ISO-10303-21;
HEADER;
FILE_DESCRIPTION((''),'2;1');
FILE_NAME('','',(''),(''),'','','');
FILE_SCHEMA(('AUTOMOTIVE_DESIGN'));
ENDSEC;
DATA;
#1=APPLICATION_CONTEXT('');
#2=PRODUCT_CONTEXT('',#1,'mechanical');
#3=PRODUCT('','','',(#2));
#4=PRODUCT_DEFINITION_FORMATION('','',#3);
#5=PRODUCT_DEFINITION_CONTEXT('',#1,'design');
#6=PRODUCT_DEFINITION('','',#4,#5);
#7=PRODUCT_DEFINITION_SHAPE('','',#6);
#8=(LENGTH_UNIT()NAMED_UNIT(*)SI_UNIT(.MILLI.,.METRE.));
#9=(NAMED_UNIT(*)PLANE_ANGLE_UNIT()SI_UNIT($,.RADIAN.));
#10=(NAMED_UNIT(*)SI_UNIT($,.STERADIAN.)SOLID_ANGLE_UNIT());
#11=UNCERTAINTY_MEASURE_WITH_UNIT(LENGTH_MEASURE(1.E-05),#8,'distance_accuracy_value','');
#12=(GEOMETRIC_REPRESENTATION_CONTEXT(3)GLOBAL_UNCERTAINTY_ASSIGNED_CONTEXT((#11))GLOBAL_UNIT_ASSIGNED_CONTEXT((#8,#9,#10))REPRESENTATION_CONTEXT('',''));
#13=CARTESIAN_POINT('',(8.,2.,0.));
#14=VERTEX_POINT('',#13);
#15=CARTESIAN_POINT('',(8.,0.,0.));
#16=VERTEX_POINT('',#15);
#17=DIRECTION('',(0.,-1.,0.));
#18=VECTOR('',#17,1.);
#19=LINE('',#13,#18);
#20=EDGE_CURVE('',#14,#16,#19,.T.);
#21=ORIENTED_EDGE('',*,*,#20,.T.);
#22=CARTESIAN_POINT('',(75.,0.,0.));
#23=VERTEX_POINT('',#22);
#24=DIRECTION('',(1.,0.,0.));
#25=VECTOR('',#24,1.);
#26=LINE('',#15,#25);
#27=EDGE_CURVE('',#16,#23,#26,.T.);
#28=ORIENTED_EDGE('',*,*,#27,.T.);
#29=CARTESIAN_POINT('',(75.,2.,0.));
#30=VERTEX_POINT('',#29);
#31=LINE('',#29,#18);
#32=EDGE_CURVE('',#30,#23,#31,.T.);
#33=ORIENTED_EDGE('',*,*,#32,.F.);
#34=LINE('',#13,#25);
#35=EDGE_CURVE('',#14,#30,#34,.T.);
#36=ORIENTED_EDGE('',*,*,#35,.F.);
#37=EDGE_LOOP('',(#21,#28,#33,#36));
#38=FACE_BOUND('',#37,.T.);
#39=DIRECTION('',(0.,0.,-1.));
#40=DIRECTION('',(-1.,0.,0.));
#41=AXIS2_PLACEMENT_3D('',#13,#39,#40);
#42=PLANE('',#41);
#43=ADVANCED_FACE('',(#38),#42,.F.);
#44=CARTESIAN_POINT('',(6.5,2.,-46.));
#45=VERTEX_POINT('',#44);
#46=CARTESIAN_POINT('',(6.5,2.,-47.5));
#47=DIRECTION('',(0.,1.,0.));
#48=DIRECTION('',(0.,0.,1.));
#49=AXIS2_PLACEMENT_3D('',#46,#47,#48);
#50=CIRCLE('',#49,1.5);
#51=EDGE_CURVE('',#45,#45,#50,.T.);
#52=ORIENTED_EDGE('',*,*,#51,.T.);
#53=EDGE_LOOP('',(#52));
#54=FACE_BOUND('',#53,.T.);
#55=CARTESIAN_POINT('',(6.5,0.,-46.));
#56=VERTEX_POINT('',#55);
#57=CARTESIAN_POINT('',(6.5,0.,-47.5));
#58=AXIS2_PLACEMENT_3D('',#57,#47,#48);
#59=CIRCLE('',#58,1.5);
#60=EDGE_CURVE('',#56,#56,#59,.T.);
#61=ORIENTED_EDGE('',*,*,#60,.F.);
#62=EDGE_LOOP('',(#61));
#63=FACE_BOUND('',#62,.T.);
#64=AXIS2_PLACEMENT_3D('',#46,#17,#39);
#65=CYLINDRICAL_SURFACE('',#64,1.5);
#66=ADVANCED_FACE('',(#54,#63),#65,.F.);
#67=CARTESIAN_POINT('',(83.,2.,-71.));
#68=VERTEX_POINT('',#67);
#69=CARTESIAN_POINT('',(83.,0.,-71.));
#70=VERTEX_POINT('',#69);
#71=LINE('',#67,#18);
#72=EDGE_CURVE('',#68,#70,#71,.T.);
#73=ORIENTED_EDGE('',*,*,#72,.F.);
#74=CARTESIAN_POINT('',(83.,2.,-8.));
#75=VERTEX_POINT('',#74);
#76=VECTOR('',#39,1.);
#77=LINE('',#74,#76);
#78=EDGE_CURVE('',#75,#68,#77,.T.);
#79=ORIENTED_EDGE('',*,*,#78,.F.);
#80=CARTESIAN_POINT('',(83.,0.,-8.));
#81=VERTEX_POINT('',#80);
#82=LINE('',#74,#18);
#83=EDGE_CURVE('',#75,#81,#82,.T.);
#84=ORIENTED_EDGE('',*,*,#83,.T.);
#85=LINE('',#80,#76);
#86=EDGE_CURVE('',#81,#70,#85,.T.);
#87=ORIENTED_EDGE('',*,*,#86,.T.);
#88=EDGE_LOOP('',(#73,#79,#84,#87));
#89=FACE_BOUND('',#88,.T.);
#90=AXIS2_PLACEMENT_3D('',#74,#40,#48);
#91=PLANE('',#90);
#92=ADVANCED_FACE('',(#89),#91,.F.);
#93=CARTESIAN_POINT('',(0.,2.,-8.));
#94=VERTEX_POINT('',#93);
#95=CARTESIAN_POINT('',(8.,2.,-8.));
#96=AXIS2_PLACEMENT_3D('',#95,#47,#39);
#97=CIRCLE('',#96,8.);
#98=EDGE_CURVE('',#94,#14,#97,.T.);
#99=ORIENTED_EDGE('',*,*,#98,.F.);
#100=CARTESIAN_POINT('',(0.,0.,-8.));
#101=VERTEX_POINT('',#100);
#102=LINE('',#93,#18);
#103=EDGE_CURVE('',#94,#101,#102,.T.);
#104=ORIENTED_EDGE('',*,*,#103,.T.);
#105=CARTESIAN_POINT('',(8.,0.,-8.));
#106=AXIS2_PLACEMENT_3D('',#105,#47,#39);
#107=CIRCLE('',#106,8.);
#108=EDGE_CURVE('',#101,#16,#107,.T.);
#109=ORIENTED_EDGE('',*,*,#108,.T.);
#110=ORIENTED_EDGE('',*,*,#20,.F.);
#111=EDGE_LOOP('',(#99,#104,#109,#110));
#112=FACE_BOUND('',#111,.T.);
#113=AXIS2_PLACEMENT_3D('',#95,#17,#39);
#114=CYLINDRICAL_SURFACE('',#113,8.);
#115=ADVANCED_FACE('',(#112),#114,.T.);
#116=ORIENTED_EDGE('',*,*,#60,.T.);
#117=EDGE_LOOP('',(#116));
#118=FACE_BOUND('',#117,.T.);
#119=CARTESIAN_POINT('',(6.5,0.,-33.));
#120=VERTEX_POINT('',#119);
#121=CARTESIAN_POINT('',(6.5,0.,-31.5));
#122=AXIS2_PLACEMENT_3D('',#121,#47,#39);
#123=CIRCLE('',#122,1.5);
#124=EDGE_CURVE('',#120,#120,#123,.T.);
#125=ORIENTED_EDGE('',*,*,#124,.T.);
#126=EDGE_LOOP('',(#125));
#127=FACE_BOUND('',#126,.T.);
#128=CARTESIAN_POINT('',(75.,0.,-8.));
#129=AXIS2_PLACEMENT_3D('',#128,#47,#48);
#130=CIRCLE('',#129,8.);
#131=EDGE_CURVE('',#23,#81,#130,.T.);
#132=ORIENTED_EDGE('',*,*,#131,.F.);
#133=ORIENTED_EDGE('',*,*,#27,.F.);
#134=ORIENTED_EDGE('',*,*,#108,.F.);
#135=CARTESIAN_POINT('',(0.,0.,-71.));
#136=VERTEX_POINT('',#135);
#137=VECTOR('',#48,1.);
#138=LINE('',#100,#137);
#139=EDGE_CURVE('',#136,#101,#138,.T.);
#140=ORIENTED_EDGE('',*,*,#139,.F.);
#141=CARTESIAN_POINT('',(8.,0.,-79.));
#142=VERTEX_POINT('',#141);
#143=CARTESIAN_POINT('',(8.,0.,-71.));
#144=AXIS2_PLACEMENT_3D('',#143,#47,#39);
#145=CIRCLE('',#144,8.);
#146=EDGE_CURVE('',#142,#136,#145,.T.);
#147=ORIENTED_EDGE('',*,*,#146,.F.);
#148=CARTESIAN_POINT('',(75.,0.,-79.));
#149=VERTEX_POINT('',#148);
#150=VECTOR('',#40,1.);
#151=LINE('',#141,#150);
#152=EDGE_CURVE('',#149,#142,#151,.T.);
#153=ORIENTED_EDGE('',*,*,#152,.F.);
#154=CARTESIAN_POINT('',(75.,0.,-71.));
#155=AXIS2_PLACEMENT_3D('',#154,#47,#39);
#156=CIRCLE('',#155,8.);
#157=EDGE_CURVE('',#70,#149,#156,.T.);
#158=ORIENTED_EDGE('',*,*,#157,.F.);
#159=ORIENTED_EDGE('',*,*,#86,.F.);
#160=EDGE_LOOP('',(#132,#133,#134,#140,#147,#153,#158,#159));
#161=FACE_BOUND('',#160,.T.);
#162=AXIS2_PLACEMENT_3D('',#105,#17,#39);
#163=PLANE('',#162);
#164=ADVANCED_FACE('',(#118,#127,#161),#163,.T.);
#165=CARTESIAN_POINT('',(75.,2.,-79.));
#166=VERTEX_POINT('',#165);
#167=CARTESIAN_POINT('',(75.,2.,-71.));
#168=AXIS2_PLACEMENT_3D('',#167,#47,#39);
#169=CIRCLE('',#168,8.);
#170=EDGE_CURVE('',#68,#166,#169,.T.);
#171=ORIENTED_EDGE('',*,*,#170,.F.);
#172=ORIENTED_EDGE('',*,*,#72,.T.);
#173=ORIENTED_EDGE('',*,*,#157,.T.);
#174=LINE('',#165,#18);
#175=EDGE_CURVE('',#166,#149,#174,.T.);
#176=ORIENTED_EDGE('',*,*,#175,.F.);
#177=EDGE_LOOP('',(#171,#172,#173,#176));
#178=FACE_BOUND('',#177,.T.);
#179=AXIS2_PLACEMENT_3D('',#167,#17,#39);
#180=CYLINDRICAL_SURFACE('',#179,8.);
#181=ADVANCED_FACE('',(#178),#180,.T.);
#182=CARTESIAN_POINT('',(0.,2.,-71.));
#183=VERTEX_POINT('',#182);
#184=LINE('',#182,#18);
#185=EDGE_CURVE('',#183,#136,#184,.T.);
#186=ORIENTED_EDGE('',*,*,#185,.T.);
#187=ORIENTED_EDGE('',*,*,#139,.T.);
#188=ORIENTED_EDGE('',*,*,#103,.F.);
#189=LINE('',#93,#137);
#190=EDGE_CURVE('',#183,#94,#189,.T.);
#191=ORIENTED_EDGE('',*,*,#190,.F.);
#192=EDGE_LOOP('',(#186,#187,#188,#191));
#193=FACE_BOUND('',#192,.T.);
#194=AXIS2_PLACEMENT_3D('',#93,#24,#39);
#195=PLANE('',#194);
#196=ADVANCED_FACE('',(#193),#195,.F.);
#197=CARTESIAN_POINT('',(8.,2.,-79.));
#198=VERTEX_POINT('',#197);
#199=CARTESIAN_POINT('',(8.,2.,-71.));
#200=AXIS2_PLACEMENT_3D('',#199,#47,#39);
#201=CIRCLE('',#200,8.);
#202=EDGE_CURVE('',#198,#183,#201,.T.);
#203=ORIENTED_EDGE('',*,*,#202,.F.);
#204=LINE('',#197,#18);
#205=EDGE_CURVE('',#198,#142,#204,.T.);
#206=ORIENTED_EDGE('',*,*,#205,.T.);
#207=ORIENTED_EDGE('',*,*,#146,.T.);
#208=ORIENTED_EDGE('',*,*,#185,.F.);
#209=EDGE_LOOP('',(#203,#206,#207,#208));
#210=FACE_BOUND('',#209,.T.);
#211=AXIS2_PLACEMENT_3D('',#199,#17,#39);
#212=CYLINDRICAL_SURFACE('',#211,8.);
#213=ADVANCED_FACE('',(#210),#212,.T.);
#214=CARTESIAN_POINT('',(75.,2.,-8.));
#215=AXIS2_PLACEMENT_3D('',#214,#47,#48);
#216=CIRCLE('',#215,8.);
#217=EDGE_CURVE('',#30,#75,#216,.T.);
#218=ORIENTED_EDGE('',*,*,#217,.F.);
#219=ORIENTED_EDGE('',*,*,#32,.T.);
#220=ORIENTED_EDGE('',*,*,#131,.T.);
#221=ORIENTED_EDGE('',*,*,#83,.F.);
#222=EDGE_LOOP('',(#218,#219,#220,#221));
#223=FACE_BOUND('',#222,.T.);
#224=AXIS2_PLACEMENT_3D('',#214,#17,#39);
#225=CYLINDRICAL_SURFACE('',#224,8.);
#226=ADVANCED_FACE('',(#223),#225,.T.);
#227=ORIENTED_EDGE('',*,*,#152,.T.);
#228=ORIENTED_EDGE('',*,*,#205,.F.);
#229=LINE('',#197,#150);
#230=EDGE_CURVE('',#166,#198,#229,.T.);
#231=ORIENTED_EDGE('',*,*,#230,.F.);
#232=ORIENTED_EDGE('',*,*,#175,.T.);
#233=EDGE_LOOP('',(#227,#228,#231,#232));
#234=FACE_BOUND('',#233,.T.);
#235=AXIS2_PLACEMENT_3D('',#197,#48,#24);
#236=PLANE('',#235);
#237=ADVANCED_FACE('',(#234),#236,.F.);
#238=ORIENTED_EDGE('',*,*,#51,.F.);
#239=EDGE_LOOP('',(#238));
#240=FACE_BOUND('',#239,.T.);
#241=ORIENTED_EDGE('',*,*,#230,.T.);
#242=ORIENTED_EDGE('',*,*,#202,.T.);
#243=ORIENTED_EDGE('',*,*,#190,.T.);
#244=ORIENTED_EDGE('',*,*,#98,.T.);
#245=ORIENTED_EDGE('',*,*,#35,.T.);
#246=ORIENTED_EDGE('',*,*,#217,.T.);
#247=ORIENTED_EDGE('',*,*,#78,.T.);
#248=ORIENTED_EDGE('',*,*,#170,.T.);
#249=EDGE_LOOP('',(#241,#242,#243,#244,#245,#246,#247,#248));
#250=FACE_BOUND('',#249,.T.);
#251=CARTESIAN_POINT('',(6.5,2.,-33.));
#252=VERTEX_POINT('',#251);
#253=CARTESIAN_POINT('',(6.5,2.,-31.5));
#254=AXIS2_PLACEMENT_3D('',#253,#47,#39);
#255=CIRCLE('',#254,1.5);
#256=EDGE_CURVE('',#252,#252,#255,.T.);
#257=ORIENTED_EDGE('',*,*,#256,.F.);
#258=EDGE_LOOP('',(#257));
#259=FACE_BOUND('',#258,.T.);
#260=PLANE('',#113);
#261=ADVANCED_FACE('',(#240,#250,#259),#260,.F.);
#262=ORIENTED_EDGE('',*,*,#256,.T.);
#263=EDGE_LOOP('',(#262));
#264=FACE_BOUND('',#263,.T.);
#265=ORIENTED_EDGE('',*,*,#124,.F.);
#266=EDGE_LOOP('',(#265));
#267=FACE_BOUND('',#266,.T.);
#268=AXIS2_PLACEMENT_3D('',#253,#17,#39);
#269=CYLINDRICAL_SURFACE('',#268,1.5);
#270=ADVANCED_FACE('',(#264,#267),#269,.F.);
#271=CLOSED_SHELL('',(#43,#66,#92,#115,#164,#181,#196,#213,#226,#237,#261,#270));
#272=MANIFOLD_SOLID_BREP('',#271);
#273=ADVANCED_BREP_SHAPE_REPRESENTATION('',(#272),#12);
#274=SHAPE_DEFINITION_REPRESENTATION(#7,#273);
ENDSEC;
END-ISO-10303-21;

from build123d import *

# Parameters (mm, degrees)
SKETCH1_R           = 1.5
BOSS_EXTRUDE1_DEPTH = 2


with BuildPart() as part:
    # Sketch1 → Boss-Extrude1 (new body)
    with BuildSketch(Plane(origin=(0, 0, 0), x_dir=(1, 0, 0), z_dir=(0, 1, 0))):
        with BuildLine():
            Line((8, 0), (75, 0))
            ThreePointArc((75, 0), (80.656854249, 2.343145751), (83, 8))
            Line((83, 8), (83, 71))
            ThreePointArc((83, 71), (80.656854249, 76.656854249), (75, 79))
            Line((75, 79), (8, 79))
            ThreePointArc((8, 79), (2.343145751, 76.656854249), (0, 71))
            Line((0, 71), (0, 8))
            ThreePointArc((0, 8), (2.343145751, 2.343145751), (8, 0))
        make_face()
        with Locations(Location((6.5, 47.5, 0), (0, 0, 270))):
            Circle(SKETCH1_R, mode=Mode.SUBTRACT)
        with Locations(Location((6.5, 31.5, 0), (0, 0, 90))):
            Circle(SKETCH1_R, mode=Mode.SUBTRACT)
    extrude(amount=BOSS_EXTRUDE1_DEPTH)


solid = part.part
